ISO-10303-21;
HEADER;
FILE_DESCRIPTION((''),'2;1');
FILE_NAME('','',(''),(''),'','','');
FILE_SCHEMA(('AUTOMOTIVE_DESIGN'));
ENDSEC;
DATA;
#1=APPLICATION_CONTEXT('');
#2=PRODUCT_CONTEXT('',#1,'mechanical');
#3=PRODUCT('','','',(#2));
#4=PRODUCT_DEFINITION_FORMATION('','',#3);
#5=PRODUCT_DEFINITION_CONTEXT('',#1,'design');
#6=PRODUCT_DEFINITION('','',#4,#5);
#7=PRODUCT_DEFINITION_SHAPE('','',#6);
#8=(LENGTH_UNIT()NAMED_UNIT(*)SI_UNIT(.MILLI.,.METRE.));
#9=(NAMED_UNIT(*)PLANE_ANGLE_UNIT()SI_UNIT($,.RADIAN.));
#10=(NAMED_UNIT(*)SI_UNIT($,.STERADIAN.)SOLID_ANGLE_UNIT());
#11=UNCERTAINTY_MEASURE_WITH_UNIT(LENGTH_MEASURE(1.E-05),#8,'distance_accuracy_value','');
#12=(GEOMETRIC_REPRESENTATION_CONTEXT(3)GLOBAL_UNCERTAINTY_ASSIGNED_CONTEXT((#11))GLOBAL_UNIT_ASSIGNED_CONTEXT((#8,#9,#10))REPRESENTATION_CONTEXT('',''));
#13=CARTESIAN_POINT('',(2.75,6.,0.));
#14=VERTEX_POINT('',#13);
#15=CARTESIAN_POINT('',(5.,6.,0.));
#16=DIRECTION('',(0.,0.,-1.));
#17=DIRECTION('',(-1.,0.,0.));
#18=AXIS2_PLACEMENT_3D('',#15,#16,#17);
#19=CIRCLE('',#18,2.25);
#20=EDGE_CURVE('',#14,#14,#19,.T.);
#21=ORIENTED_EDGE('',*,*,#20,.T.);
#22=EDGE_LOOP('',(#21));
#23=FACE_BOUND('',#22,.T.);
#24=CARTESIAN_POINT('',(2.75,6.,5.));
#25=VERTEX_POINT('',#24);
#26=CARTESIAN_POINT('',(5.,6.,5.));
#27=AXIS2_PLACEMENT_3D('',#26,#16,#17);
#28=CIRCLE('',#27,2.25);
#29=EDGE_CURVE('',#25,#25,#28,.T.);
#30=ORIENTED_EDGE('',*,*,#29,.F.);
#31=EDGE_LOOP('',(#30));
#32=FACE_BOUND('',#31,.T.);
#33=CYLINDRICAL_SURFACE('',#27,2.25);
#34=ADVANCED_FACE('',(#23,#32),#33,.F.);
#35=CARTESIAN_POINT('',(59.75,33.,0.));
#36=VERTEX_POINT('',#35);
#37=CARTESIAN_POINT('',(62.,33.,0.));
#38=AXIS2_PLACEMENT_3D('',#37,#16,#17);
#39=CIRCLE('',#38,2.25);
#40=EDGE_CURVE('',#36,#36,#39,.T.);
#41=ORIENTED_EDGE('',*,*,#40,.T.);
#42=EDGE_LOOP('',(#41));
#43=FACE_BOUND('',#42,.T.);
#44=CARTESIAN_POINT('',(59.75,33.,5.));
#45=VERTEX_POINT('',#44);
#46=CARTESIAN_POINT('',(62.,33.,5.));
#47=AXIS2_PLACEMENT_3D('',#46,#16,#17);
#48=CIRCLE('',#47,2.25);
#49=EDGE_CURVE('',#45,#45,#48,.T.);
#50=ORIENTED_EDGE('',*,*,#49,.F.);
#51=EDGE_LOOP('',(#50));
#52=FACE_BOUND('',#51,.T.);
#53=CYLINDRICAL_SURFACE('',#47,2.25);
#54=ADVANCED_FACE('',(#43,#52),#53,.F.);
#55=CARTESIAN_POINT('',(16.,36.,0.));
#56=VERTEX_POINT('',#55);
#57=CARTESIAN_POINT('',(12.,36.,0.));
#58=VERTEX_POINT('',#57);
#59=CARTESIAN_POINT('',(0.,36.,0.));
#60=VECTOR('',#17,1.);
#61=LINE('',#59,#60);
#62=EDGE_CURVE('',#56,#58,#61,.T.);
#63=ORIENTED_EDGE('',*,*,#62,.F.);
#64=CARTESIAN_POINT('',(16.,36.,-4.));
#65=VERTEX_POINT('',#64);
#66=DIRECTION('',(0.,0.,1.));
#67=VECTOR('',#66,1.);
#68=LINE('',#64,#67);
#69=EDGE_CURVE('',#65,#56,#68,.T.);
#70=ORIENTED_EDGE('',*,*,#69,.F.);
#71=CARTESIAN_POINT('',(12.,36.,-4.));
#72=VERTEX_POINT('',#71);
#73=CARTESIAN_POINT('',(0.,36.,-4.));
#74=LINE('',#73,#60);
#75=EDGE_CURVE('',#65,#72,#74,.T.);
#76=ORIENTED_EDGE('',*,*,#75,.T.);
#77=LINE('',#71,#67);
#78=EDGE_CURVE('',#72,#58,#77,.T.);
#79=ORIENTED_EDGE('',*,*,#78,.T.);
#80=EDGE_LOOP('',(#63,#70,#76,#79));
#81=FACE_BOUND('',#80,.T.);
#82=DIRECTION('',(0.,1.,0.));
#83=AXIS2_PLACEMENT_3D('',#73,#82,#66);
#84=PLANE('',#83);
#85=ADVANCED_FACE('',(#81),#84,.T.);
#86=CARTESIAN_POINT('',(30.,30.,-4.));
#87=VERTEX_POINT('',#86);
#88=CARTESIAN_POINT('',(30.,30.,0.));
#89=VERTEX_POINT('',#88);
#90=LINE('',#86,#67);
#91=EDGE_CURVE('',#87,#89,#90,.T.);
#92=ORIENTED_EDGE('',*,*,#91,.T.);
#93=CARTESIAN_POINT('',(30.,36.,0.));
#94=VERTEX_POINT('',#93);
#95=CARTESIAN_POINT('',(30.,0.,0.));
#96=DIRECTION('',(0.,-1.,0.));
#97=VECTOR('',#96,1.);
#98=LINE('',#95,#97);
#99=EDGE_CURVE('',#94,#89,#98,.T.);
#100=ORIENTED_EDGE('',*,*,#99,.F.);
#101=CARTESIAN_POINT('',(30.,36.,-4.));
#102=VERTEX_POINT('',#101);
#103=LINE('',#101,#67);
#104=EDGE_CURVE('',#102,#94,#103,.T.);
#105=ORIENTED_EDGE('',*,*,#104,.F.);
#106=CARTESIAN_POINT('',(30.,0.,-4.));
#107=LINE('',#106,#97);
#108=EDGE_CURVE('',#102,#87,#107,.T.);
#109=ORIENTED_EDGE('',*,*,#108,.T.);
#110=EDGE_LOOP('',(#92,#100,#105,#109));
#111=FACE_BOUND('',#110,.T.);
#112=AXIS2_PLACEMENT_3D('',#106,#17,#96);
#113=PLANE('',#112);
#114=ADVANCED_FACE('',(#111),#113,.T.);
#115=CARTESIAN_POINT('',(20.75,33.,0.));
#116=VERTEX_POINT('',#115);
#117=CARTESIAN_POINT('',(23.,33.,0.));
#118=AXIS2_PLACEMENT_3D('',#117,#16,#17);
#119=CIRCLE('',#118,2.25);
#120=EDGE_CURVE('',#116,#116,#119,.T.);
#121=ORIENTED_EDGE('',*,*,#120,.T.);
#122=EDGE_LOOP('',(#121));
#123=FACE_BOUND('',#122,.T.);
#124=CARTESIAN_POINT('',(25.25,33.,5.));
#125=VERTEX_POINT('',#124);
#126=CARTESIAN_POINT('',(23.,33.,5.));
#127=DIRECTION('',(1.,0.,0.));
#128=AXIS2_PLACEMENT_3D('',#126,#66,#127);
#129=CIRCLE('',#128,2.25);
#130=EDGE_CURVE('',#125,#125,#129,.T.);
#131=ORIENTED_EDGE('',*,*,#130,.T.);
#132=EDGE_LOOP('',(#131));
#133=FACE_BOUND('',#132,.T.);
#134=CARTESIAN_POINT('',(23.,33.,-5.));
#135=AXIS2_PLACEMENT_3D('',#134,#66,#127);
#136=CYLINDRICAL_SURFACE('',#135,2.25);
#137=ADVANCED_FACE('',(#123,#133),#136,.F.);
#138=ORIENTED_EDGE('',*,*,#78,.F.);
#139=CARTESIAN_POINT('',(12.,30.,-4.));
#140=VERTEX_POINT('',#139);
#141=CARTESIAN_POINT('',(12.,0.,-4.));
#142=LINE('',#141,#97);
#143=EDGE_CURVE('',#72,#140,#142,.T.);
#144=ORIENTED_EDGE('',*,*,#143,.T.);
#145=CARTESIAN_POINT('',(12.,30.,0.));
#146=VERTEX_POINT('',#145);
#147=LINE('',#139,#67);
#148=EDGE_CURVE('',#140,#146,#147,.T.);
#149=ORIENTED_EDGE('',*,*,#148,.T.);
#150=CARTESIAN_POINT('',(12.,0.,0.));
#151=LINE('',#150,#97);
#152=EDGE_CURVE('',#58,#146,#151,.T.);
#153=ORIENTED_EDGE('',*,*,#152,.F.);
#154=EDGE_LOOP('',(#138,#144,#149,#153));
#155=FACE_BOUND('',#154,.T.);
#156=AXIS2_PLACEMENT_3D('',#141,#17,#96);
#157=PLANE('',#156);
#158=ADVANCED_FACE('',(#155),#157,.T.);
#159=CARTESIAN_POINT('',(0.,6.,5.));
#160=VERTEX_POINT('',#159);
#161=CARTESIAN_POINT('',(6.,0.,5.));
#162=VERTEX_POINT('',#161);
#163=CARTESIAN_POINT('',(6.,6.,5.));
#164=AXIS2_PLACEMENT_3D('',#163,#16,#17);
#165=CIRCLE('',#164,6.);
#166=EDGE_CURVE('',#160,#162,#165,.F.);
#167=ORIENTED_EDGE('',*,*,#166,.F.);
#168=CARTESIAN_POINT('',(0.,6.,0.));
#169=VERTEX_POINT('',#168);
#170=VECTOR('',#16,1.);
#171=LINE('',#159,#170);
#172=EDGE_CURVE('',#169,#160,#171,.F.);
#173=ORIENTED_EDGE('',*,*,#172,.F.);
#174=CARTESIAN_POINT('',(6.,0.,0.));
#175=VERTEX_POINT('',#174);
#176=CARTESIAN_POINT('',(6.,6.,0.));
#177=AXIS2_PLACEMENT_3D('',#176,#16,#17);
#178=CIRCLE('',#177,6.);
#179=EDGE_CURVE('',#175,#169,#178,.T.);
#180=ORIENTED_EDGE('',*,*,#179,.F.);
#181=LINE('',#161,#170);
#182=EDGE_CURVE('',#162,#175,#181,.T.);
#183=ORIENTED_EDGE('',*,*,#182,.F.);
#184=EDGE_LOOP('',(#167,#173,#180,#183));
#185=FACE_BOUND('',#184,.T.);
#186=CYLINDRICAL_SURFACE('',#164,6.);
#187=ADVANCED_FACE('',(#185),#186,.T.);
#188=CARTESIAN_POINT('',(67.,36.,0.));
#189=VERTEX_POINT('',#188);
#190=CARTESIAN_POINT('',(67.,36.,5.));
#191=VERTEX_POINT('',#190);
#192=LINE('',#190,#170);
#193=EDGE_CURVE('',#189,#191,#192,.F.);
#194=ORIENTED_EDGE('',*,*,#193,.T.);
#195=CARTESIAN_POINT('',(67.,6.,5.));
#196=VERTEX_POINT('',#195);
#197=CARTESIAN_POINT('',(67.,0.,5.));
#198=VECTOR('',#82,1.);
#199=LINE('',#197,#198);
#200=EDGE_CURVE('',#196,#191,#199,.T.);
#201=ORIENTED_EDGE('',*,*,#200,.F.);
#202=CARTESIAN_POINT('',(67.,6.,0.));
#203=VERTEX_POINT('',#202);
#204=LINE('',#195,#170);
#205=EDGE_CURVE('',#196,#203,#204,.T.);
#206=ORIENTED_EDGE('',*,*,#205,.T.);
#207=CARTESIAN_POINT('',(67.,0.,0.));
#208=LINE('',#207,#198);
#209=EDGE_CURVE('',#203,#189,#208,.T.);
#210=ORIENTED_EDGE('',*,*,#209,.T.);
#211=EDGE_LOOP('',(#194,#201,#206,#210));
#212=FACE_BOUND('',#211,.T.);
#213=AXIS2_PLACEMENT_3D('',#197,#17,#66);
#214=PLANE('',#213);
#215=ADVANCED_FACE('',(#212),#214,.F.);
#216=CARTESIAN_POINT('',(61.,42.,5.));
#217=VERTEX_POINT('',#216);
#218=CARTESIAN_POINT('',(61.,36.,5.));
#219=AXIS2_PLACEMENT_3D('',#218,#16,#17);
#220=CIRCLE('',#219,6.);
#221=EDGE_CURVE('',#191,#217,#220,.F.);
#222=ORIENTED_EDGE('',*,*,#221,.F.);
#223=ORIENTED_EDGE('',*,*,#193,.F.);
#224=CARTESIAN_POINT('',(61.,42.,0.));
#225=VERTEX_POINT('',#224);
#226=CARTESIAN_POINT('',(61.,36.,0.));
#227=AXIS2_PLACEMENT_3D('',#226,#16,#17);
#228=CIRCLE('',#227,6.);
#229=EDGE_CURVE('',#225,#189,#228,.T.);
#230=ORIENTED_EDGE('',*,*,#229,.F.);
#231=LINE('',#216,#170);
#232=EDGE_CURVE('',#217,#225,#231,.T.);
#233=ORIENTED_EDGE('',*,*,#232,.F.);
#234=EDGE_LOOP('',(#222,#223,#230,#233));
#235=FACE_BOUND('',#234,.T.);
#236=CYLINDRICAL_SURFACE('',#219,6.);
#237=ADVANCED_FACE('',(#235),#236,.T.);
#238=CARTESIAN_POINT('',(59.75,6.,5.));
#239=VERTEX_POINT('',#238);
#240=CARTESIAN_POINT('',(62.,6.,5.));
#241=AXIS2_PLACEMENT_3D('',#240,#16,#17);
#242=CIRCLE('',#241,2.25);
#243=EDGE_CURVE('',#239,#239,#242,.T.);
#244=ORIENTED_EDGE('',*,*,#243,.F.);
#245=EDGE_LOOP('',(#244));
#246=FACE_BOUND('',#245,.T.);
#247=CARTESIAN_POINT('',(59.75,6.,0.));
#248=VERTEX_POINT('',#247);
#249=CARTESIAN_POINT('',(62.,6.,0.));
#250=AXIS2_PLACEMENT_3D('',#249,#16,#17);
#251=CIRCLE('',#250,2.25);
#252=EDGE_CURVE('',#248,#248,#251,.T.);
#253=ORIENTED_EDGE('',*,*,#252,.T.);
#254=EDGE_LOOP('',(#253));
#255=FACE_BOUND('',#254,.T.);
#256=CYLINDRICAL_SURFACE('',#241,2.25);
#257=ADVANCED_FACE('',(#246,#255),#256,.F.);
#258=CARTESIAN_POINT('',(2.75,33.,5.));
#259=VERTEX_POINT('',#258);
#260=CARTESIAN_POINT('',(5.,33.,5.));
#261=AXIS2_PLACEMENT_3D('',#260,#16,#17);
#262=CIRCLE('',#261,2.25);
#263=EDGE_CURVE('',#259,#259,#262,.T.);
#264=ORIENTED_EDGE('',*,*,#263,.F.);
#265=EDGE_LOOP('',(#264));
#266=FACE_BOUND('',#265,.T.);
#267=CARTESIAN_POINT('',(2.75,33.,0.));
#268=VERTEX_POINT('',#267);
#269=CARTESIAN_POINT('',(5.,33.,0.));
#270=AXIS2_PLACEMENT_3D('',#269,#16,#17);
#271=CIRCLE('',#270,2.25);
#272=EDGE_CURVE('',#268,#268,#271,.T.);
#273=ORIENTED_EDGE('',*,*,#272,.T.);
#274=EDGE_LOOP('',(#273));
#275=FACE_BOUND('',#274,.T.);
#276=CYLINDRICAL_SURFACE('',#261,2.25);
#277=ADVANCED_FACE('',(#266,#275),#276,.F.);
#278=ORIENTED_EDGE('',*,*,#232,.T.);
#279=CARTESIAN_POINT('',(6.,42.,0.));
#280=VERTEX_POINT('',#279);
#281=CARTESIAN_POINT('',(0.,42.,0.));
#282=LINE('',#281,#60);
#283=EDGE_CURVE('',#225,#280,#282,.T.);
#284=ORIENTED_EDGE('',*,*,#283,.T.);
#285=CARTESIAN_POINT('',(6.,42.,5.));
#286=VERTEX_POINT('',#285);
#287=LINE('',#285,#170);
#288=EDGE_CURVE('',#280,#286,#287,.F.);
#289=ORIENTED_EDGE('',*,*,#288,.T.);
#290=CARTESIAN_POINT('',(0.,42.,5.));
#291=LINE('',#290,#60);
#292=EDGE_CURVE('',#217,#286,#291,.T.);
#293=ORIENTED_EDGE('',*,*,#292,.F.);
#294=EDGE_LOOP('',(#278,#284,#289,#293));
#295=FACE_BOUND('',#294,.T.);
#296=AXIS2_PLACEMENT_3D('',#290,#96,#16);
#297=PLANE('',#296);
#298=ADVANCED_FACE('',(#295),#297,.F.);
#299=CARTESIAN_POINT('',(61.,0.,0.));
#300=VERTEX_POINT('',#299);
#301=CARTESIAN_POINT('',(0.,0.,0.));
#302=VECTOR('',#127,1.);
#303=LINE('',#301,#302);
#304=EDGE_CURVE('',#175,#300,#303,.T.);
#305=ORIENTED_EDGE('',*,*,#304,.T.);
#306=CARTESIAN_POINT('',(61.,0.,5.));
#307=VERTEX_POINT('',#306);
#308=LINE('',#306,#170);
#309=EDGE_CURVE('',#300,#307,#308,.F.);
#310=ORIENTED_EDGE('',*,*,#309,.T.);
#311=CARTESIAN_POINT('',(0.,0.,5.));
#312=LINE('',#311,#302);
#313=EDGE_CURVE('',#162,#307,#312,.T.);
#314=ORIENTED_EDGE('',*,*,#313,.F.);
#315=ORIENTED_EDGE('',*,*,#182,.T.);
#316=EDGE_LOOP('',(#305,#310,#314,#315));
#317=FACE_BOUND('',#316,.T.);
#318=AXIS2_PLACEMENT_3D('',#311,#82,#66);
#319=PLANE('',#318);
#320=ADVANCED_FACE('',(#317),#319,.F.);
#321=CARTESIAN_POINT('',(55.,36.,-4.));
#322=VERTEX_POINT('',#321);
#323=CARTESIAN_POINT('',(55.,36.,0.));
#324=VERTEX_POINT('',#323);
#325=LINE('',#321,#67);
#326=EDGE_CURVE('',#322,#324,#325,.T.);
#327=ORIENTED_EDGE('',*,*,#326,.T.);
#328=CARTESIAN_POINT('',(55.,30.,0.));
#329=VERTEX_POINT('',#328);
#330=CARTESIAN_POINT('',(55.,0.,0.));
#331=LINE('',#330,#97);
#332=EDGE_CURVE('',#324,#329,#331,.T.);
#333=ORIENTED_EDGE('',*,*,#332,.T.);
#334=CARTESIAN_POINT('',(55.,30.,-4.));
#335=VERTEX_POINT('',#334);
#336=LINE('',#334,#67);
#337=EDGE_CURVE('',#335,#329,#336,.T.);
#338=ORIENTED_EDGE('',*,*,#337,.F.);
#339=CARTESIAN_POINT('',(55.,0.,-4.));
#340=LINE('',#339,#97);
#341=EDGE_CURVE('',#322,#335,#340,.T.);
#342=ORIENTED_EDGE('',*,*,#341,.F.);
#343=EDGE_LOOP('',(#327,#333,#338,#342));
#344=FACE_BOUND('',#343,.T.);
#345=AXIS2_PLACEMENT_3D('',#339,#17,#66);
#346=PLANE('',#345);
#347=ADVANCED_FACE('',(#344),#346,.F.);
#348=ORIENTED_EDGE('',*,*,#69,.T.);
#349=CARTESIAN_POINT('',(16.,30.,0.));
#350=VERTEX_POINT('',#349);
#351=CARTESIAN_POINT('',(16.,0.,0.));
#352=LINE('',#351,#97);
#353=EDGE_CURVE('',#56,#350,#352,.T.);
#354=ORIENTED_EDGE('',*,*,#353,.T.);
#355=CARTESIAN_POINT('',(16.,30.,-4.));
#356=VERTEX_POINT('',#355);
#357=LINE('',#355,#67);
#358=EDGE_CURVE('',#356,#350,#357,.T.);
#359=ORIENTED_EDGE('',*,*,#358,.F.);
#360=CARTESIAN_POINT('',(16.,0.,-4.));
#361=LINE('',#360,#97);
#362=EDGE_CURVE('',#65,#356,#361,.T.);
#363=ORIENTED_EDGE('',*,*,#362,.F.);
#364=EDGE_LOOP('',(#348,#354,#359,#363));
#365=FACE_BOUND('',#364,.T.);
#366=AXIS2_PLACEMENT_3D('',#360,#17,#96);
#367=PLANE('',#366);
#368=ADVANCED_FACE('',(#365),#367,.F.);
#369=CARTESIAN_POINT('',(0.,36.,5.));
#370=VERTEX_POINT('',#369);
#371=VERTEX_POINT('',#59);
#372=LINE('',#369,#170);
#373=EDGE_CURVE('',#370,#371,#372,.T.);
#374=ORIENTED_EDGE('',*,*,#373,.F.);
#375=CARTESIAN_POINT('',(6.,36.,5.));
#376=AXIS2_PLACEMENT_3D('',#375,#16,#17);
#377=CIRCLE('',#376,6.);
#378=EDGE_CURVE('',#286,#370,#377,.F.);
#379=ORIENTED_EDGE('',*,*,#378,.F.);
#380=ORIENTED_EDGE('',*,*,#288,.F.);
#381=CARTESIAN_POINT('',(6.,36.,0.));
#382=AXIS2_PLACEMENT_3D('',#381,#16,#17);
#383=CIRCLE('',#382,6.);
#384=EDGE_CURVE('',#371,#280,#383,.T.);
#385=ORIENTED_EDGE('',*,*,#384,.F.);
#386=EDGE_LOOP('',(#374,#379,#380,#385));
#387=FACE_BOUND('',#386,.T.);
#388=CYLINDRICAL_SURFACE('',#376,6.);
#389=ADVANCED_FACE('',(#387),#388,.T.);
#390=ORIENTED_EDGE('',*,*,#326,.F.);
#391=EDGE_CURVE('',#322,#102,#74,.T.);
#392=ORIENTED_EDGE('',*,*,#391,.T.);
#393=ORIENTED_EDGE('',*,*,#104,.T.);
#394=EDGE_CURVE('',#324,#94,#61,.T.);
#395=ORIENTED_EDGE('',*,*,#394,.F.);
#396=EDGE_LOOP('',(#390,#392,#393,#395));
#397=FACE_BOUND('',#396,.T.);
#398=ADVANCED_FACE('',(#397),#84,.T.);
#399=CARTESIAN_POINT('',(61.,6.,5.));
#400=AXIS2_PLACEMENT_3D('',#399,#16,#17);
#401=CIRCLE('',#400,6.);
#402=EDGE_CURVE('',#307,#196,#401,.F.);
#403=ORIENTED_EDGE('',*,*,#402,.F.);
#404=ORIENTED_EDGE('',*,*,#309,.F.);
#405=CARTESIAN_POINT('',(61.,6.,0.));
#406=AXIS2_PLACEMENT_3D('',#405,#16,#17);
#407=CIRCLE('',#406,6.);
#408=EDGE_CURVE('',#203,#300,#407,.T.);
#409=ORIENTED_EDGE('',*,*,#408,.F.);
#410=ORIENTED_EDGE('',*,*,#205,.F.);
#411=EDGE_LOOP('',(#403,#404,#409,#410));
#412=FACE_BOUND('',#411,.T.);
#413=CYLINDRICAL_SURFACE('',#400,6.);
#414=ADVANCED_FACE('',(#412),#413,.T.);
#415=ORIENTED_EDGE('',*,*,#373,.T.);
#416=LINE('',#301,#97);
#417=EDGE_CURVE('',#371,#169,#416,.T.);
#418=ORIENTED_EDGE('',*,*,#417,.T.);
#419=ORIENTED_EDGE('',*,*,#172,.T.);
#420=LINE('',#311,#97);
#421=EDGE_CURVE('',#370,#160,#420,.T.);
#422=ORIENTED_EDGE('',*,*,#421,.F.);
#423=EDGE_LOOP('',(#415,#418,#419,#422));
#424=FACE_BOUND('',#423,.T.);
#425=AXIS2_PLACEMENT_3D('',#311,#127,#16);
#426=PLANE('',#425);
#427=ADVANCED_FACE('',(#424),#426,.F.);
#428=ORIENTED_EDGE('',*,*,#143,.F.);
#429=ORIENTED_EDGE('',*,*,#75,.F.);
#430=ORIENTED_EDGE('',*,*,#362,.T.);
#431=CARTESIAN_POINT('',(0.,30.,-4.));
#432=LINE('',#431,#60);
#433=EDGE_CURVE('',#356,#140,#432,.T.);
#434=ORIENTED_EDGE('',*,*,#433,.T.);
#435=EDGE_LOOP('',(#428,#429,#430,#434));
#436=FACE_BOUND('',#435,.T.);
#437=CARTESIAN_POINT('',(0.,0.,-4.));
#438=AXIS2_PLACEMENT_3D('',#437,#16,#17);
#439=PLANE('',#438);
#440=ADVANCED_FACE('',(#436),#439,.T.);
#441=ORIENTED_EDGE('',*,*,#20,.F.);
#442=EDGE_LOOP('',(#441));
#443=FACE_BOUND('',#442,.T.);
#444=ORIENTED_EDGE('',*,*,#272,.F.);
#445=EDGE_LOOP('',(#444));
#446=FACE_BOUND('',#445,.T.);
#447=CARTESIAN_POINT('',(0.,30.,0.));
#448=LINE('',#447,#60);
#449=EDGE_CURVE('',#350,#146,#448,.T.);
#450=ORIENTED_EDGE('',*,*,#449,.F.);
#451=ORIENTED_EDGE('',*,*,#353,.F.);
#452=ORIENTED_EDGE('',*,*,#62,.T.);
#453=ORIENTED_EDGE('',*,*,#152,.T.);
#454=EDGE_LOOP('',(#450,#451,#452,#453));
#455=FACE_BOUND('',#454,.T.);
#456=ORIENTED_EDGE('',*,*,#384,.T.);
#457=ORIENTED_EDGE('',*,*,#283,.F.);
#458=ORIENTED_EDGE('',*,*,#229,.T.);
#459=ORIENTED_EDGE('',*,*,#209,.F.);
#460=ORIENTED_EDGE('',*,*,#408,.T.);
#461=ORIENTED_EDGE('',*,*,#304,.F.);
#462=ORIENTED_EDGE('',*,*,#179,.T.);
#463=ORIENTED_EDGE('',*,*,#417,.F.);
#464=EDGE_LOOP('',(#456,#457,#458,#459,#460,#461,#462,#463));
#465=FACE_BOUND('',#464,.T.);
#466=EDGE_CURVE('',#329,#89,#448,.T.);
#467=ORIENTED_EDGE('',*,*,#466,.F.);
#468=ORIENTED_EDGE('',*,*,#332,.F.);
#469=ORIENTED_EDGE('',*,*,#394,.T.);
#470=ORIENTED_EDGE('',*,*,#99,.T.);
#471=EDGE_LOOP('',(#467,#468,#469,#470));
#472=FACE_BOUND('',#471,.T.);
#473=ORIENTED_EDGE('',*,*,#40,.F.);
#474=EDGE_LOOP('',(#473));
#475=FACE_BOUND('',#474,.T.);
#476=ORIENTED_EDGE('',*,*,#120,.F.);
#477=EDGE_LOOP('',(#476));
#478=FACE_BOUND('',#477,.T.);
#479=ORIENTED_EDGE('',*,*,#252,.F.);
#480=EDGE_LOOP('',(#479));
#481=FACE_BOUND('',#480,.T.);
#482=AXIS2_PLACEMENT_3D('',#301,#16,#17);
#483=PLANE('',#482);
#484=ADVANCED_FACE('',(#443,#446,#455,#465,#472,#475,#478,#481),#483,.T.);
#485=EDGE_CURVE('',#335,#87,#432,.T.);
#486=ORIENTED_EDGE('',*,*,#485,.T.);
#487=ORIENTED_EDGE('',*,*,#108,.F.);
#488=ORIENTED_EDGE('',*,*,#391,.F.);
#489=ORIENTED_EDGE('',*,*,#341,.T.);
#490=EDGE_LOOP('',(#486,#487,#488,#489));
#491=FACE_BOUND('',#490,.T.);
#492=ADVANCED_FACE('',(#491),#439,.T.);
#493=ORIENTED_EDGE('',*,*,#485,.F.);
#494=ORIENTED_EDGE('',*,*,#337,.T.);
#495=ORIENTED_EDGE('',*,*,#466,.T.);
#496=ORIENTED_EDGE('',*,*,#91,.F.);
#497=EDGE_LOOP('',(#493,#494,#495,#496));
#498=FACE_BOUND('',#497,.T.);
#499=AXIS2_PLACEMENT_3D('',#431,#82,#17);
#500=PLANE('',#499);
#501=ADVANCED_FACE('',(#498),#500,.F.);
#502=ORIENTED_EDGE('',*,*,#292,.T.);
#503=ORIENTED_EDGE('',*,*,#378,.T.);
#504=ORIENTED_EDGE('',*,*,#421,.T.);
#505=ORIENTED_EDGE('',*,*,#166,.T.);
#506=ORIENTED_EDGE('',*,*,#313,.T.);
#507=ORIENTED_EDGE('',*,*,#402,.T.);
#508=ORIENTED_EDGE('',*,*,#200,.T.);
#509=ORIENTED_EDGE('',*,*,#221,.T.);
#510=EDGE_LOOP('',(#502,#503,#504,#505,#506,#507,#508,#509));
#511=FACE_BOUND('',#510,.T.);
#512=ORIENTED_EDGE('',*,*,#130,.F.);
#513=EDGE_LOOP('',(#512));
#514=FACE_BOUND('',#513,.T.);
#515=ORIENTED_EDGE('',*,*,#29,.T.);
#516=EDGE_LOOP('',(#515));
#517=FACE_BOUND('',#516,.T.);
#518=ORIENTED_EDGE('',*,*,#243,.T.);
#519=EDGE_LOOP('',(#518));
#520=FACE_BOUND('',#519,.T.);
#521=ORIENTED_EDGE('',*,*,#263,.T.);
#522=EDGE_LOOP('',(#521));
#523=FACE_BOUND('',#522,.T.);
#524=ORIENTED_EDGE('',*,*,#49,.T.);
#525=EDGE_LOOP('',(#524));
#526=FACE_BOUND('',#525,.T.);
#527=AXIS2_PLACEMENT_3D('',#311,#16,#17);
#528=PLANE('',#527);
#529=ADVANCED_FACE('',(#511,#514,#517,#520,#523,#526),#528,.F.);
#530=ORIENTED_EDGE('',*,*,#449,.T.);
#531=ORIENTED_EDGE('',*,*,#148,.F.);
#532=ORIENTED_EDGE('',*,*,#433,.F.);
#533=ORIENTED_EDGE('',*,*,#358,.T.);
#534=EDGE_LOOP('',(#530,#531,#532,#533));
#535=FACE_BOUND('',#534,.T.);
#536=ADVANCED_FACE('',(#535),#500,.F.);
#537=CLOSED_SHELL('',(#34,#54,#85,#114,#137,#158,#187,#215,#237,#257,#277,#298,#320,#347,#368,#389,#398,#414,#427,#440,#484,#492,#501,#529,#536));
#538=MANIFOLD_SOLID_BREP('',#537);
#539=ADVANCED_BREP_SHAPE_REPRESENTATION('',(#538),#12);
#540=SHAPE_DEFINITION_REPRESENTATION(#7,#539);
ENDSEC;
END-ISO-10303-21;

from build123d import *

# Parameters (mm, degrees)
SKETCH_1_W          = 67
SKETCH_1_H          = 42
EXTRUDE_1_DEPTH     = 5
SKETCH_2_R          = 2.25
CUT_EXTRUDE_1_DEPTH = 5
FILLET_1_R          = 6
SKETCH_4_R          = 2.25
CUT_EXTRUDE_2_DEPTH = 10
SKETCH_3_W          = 4
SKETCH_3_H          = 6
SKETCH_3_W_2        = 25
EXTRUDE_2_DEPTH     = 4


with BuildPart() as part:
    # Эскиз1 → Бобышка-Вытянуть1 (new body)
    with BuildSketch(Plane.XY):
        with Locations((33.5, 21)):
            Rectangle(SKETCH_1_W, SKETCH_1_H)
    extrude(amount=EXTRUDE_1_DEPTH)

    # Эскиз2 → Вырез-Вытянуть1 (cut)
    with BuildSketch(Plane(origin=(0, 0, 0), x_dir=(-1, 0, 0), z_dir=(0, 0, -1))):
        with Locations((-62, 6)):
            Circle(SKETCH_2_R)
        with Locations((-62, 33)):
            Circle(SKETCH_2_R)
        with Locations((-5, 6)):
            Circle(SKETCH_2_R)
        with Locations((-5, 33)):
            Circle(SKETCH_2_R)
    extrude(amount=-CUT_EXTRUDE_1_DEPTH, mode=Mode.SUBTRACT)

    # Скругление1
    fillet_1_edges = [part.edges().sort_by_distance(p)[0] for p in [
        (0, 42, 2.5),
        (67, 42, 2.5),
        (67, 0, 2.5),
        (0, 0, 2.5),
    ]]
    fillet(fillet_1_edges, radius=FILLET_1_R)

    # Эскиз4 → Вырез-Вытянуть2 (cut)
    with BuildSketch(Plane.XY.offset(5)):
        with Locations((23, 33)):
            Circle(SKETCH_4_R)
    extrude(amount=-CUT_EXTRUDE_2_DEPTH, mode=Mode.SUBTRACT)

    # Эскиз3 → Бобышка-Вытянуть2 (add)
    with BuildSketch(Plane(origin=(0, 0, 0), x_dir=(-1, 0, 0), z_dir=(0, 0, -1))):
        with Locations((-14, 33)):
            Rectangle(SKETCH_3_W, SKETCH_3_H)
        with Locations((-42.5, 33)):
            Rectangle(SKETCH_3_W_2, SKETCH_3_H)
    extrude(amount=EXTRUDE_2_DEPTH)


solid = part.part
